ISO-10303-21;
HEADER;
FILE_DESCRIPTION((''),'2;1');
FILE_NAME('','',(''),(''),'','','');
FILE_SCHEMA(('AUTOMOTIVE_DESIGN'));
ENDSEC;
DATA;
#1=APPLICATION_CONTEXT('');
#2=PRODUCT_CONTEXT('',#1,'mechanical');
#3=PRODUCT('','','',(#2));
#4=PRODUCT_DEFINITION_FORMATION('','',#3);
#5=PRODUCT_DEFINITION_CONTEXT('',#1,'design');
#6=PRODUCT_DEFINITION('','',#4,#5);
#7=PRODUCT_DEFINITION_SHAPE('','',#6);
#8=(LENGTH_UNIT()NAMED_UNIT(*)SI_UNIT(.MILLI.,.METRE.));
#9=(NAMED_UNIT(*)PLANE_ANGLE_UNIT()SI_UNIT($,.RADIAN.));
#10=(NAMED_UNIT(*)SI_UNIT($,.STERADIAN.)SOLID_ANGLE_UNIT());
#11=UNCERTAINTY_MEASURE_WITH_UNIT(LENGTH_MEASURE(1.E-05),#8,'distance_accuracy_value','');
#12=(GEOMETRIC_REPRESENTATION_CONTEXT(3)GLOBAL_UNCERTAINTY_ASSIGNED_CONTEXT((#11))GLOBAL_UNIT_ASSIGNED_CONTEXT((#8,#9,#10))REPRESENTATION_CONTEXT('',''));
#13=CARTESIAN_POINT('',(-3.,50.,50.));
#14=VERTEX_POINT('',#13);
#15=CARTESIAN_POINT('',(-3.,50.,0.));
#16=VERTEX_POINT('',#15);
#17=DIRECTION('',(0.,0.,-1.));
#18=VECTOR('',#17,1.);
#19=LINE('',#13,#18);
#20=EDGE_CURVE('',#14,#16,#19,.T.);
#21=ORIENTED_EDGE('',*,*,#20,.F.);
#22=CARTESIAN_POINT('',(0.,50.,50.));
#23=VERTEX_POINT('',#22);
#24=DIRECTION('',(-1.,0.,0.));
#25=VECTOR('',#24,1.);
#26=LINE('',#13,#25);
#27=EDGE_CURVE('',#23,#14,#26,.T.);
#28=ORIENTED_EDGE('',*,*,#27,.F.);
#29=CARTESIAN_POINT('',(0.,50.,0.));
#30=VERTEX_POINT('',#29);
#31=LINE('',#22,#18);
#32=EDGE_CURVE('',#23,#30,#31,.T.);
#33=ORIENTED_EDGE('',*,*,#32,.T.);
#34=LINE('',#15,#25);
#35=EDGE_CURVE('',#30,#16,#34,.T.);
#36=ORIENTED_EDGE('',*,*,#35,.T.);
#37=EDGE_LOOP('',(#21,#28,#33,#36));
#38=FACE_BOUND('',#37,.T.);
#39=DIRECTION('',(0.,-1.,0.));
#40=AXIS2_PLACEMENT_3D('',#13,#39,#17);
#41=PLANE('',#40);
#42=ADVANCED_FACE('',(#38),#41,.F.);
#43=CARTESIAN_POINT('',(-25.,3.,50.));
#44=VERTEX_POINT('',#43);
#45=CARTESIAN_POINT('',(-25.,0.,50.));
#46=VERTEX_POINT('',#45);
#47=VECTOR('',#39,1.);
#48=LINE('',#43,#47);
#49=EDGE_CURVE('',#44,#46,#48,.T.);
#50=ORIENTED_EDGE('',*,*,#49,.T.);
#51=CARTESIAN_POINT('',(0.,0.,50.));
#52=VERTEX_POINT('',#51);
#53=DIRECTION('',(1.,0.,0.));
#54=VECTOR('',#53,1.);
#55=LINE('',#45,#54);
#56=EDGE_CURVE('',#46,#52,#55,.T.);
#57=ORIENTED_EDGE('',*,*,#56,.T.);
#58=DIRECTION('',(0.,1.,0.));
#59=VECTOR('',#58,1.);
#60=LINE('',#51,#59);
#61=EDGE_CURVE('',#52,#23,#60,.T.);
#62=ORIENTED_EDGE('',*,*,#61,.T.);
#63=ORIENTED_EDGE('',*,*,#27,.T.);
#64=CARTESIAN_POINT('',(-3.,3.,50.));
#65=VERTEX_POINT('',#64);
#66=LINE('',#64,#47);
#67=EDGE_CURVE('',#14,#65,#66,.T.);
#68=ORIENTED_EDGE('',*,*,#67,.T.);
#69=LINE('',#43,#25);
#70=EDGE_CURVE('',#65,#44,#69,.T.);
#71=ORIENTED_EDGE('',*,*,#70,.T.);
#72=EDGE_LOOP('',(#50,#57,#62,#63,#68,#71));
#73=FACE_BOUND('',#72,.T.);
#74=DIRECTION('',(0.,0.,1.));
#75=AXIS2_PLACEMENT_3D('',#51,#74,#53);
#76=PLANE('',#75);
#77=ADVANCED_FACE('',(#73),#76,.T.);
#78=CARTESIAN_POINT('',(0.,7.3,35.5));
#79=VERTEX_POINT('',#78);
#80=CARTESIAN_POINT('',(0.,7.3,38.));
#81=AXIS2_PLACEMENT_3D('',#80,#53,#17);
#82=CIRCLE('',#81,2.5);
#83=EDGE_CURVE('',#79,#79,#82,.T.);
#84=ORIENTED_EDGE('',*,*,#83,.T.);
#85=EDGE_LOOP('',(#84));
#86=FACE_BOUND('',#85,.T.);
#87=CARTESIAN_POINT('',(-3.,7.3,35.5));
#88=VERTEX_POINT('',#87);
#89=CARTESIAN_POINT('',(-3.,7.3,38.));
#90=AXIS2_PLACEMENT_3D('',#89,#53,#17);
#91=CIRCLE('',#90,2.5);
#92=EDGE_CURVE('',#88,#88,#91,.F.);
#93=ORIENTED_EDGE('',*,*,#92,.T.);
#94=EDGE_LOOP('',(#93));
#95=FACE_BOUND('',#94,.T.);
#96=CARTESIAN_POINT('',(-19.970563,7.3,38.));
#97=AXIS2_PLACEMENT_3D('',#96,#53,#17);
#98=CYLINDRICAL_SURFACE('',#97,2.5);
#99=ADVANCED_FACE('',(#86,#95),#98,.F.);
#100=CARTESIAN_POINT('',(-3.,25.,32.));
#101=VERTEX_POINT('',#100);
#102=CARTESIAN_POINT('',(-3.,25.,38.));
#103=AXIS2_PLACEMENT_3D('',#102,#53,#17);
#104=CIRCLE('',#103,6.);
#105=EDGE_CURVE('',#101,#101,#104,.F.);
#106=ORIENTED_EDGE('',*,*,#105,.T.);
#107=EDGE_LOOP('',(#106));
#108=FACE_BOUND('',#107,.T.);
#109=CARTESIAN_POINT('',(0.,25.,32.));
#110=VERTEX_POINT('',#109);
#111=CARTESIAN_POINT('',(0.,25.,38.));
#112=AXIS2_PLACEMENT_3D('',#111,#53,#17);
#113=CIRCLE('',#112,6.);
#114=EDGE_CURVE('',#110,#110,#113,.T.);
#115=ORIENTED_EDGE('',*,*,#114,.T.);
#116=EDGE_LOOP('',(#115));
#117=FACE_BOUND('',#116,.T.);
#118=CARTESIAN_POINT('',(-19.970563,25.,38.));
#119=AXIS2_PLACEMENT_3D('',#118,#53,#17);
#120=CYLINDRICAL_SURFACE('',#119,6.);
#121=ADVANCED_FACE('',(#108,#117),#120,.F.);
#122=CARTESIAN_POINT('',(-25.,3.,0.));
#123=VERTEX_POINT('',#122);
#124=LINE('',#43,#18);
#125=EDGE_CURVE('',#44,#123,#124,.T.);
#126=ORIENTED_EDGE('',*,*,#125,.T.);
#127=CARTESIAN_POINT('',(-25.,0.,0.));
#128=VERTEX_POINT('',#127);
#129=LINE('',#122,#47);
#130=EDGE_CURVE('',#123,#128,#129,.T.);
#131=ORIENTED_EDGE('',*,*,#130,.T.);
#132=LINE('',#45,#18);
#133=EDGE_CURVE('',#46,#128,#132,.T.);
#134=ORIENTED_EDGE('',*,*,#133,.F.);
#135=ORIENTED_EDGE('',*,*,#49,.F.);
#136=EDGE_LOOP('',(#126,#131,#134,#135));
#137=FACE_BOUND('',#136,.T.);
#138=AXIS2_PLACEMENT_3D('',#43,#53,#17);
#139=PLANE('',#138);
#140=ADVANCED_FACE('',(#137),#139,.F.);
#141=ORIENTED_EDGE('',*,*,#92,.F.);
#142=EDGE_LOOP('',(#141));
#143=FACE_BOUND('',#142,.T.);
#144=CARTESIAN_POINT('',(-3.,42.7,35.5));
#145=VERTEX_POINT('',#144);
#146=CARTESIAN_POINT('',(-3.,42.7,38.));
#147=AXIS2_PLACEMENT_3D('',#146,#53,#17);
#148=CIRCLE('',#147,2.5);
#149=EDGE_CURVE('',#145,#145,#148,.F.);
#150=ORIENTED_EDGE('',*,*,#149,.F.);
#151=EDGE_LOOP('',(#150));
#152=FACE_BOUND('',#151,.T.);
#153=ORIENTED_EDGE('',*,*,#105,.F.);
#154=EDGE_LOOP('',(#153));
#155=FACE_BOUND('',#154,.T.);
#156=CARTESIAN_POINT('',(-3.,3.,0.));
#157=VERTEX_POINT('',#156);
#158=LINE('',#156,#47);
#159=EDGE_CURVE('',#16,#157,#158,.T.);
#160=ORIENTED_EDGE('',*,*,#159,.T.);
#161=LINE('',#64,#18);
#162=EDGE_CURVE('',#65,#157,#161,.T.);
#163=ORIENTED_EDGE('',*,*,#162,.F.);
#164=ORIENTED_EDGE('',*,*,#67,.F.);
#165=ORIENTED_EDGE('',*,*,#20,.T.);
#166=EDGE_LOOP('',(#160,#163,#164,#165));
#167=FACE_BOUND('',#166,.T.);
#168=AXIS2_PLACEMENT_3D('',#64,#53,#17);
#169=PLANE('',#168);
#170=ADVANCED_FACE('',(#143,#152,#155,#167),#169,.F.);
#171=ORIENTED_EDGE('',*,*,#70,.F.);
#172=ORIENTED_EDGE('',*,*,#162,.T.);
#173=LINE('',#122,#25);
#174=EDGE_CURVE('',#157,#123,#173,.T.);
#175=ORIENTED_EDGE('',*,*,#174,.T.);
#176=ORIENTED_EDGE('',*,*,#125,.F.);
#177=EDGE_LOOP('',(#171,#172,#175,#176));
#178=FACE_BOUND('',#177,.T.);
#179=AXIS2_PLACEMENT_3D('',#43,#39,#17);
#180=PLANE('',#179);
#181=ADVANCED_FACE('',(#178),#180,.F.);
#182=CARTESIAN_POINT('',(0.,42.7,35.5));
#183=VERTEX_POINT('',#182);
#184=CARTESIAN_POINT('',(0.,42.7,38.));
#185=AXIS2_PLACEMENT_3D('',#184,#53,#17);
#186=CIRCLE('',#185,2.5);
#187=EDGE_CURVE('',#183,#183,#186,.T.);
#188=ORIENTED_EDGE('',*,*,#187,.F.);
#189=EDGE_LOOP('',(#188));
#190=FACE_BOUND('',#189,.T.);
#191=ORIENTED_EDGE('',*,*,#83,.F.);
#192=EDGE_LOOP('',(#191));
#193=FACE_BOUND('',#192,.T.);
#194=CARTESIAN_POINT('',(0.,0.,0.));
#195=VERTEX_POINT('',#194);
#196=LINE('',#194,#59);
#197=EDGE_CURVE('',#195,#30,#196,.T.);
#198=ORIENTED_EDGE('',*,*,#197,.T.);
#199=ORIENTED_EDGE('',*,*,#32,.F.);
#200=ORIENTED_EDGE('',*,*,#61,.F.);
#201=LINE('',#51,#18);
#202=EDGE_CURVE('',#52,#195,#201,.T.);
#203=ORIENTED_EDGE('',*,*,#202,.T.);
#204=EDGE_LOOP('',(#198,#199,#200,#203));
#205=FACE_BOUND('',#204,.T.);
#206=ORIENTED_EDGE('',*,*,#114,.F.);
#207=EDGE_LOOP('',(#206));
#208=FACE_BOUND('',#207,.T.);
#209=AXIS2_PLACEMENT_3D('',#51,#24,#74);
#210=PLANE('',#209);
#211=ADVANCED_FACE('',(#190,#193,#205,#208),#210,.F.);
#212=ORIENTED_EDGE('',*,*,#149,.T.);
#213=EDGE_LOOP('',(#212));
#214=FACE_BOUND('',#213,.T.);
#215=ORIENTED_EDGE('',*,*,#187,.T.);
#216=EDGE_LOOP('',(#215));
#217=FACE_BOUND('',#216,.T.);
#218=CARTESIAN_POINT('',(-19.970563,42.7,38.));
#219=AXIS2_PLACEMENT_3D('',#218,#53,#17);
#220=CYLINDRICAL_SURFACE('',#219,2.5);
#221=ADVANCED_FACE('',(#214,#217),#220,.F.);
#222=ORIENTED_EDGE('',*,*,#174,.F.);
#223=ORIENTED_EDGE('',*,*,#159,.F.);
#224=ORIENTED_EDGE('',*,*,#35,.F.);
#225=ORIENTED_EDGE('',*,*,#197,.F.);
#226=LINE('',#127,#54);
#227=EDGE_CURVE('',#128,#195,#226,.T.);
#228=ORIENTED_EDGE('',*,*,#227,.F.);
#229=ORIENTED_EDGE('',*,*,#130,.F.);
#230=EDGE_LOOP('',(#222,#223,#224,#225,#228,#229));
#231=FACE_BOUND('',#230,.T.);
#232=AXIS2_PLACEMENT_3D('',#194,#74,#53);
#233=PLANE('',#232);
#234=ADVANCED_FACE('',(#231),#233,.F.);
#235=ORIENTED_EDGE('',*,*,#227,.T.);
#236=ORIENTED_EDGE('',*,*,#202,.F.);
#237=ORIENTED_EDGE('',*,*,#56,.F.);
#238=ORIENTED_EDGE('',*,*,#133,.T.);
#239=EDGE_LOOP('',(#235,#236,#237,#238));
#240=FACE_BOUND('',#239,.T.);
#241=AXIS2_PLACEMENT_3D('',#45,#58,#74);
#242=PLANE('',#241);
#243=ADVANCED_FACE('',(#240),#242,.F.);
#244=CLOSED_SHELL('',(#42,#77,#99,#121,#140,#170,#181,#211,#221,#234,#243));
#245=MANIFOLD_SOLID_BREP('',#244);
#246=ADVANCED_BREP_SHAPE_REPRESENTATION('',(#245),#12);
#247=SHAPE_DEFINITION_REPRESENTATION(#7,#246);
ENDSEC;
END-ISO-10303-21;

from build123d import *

# Parameters (mm, degrees)
SALIENTE_EXTRUIR1_DEPTH = 50
CROQUIS2_R              = 6
CROQUIS2_R_2            = 2.5
CORTAR_EXTRUIR1_DEPTH   = 3


with BuildPart() as part:
    # Croquis1 → Saliente-Extruir1 (new body)
    with BuildSketch(Plane.XY):
        Polygon((-25, 0), (0, 0), (0, 50), (-3, 50), (-3, 3), (-25, 3), align=None)
    extrude(amount=SALIENTE_EXTRUIR1_DEPTH)

    # Croquis2 → Cortar-Extruir1 (cut)
    with BuildSketch(Plane(origin=(0, 0, 0), x_dir=(0, 0, -1), z_dir=(1, 0, 0))):
        with Locations((-38, 25)):
            Circle(CROQUIS2_R)
        with Locations((-38, 42.7)):
            Circle(CROQUIS2_R_2)
        with Locations((-38, 7.3)):
            Circle(CROQUIS2_R_2)
    extrude(amount=-CORTAR_EXTRUIR1_DEPTH, mode=Mode.SUBTRACT)


solid = part.part
